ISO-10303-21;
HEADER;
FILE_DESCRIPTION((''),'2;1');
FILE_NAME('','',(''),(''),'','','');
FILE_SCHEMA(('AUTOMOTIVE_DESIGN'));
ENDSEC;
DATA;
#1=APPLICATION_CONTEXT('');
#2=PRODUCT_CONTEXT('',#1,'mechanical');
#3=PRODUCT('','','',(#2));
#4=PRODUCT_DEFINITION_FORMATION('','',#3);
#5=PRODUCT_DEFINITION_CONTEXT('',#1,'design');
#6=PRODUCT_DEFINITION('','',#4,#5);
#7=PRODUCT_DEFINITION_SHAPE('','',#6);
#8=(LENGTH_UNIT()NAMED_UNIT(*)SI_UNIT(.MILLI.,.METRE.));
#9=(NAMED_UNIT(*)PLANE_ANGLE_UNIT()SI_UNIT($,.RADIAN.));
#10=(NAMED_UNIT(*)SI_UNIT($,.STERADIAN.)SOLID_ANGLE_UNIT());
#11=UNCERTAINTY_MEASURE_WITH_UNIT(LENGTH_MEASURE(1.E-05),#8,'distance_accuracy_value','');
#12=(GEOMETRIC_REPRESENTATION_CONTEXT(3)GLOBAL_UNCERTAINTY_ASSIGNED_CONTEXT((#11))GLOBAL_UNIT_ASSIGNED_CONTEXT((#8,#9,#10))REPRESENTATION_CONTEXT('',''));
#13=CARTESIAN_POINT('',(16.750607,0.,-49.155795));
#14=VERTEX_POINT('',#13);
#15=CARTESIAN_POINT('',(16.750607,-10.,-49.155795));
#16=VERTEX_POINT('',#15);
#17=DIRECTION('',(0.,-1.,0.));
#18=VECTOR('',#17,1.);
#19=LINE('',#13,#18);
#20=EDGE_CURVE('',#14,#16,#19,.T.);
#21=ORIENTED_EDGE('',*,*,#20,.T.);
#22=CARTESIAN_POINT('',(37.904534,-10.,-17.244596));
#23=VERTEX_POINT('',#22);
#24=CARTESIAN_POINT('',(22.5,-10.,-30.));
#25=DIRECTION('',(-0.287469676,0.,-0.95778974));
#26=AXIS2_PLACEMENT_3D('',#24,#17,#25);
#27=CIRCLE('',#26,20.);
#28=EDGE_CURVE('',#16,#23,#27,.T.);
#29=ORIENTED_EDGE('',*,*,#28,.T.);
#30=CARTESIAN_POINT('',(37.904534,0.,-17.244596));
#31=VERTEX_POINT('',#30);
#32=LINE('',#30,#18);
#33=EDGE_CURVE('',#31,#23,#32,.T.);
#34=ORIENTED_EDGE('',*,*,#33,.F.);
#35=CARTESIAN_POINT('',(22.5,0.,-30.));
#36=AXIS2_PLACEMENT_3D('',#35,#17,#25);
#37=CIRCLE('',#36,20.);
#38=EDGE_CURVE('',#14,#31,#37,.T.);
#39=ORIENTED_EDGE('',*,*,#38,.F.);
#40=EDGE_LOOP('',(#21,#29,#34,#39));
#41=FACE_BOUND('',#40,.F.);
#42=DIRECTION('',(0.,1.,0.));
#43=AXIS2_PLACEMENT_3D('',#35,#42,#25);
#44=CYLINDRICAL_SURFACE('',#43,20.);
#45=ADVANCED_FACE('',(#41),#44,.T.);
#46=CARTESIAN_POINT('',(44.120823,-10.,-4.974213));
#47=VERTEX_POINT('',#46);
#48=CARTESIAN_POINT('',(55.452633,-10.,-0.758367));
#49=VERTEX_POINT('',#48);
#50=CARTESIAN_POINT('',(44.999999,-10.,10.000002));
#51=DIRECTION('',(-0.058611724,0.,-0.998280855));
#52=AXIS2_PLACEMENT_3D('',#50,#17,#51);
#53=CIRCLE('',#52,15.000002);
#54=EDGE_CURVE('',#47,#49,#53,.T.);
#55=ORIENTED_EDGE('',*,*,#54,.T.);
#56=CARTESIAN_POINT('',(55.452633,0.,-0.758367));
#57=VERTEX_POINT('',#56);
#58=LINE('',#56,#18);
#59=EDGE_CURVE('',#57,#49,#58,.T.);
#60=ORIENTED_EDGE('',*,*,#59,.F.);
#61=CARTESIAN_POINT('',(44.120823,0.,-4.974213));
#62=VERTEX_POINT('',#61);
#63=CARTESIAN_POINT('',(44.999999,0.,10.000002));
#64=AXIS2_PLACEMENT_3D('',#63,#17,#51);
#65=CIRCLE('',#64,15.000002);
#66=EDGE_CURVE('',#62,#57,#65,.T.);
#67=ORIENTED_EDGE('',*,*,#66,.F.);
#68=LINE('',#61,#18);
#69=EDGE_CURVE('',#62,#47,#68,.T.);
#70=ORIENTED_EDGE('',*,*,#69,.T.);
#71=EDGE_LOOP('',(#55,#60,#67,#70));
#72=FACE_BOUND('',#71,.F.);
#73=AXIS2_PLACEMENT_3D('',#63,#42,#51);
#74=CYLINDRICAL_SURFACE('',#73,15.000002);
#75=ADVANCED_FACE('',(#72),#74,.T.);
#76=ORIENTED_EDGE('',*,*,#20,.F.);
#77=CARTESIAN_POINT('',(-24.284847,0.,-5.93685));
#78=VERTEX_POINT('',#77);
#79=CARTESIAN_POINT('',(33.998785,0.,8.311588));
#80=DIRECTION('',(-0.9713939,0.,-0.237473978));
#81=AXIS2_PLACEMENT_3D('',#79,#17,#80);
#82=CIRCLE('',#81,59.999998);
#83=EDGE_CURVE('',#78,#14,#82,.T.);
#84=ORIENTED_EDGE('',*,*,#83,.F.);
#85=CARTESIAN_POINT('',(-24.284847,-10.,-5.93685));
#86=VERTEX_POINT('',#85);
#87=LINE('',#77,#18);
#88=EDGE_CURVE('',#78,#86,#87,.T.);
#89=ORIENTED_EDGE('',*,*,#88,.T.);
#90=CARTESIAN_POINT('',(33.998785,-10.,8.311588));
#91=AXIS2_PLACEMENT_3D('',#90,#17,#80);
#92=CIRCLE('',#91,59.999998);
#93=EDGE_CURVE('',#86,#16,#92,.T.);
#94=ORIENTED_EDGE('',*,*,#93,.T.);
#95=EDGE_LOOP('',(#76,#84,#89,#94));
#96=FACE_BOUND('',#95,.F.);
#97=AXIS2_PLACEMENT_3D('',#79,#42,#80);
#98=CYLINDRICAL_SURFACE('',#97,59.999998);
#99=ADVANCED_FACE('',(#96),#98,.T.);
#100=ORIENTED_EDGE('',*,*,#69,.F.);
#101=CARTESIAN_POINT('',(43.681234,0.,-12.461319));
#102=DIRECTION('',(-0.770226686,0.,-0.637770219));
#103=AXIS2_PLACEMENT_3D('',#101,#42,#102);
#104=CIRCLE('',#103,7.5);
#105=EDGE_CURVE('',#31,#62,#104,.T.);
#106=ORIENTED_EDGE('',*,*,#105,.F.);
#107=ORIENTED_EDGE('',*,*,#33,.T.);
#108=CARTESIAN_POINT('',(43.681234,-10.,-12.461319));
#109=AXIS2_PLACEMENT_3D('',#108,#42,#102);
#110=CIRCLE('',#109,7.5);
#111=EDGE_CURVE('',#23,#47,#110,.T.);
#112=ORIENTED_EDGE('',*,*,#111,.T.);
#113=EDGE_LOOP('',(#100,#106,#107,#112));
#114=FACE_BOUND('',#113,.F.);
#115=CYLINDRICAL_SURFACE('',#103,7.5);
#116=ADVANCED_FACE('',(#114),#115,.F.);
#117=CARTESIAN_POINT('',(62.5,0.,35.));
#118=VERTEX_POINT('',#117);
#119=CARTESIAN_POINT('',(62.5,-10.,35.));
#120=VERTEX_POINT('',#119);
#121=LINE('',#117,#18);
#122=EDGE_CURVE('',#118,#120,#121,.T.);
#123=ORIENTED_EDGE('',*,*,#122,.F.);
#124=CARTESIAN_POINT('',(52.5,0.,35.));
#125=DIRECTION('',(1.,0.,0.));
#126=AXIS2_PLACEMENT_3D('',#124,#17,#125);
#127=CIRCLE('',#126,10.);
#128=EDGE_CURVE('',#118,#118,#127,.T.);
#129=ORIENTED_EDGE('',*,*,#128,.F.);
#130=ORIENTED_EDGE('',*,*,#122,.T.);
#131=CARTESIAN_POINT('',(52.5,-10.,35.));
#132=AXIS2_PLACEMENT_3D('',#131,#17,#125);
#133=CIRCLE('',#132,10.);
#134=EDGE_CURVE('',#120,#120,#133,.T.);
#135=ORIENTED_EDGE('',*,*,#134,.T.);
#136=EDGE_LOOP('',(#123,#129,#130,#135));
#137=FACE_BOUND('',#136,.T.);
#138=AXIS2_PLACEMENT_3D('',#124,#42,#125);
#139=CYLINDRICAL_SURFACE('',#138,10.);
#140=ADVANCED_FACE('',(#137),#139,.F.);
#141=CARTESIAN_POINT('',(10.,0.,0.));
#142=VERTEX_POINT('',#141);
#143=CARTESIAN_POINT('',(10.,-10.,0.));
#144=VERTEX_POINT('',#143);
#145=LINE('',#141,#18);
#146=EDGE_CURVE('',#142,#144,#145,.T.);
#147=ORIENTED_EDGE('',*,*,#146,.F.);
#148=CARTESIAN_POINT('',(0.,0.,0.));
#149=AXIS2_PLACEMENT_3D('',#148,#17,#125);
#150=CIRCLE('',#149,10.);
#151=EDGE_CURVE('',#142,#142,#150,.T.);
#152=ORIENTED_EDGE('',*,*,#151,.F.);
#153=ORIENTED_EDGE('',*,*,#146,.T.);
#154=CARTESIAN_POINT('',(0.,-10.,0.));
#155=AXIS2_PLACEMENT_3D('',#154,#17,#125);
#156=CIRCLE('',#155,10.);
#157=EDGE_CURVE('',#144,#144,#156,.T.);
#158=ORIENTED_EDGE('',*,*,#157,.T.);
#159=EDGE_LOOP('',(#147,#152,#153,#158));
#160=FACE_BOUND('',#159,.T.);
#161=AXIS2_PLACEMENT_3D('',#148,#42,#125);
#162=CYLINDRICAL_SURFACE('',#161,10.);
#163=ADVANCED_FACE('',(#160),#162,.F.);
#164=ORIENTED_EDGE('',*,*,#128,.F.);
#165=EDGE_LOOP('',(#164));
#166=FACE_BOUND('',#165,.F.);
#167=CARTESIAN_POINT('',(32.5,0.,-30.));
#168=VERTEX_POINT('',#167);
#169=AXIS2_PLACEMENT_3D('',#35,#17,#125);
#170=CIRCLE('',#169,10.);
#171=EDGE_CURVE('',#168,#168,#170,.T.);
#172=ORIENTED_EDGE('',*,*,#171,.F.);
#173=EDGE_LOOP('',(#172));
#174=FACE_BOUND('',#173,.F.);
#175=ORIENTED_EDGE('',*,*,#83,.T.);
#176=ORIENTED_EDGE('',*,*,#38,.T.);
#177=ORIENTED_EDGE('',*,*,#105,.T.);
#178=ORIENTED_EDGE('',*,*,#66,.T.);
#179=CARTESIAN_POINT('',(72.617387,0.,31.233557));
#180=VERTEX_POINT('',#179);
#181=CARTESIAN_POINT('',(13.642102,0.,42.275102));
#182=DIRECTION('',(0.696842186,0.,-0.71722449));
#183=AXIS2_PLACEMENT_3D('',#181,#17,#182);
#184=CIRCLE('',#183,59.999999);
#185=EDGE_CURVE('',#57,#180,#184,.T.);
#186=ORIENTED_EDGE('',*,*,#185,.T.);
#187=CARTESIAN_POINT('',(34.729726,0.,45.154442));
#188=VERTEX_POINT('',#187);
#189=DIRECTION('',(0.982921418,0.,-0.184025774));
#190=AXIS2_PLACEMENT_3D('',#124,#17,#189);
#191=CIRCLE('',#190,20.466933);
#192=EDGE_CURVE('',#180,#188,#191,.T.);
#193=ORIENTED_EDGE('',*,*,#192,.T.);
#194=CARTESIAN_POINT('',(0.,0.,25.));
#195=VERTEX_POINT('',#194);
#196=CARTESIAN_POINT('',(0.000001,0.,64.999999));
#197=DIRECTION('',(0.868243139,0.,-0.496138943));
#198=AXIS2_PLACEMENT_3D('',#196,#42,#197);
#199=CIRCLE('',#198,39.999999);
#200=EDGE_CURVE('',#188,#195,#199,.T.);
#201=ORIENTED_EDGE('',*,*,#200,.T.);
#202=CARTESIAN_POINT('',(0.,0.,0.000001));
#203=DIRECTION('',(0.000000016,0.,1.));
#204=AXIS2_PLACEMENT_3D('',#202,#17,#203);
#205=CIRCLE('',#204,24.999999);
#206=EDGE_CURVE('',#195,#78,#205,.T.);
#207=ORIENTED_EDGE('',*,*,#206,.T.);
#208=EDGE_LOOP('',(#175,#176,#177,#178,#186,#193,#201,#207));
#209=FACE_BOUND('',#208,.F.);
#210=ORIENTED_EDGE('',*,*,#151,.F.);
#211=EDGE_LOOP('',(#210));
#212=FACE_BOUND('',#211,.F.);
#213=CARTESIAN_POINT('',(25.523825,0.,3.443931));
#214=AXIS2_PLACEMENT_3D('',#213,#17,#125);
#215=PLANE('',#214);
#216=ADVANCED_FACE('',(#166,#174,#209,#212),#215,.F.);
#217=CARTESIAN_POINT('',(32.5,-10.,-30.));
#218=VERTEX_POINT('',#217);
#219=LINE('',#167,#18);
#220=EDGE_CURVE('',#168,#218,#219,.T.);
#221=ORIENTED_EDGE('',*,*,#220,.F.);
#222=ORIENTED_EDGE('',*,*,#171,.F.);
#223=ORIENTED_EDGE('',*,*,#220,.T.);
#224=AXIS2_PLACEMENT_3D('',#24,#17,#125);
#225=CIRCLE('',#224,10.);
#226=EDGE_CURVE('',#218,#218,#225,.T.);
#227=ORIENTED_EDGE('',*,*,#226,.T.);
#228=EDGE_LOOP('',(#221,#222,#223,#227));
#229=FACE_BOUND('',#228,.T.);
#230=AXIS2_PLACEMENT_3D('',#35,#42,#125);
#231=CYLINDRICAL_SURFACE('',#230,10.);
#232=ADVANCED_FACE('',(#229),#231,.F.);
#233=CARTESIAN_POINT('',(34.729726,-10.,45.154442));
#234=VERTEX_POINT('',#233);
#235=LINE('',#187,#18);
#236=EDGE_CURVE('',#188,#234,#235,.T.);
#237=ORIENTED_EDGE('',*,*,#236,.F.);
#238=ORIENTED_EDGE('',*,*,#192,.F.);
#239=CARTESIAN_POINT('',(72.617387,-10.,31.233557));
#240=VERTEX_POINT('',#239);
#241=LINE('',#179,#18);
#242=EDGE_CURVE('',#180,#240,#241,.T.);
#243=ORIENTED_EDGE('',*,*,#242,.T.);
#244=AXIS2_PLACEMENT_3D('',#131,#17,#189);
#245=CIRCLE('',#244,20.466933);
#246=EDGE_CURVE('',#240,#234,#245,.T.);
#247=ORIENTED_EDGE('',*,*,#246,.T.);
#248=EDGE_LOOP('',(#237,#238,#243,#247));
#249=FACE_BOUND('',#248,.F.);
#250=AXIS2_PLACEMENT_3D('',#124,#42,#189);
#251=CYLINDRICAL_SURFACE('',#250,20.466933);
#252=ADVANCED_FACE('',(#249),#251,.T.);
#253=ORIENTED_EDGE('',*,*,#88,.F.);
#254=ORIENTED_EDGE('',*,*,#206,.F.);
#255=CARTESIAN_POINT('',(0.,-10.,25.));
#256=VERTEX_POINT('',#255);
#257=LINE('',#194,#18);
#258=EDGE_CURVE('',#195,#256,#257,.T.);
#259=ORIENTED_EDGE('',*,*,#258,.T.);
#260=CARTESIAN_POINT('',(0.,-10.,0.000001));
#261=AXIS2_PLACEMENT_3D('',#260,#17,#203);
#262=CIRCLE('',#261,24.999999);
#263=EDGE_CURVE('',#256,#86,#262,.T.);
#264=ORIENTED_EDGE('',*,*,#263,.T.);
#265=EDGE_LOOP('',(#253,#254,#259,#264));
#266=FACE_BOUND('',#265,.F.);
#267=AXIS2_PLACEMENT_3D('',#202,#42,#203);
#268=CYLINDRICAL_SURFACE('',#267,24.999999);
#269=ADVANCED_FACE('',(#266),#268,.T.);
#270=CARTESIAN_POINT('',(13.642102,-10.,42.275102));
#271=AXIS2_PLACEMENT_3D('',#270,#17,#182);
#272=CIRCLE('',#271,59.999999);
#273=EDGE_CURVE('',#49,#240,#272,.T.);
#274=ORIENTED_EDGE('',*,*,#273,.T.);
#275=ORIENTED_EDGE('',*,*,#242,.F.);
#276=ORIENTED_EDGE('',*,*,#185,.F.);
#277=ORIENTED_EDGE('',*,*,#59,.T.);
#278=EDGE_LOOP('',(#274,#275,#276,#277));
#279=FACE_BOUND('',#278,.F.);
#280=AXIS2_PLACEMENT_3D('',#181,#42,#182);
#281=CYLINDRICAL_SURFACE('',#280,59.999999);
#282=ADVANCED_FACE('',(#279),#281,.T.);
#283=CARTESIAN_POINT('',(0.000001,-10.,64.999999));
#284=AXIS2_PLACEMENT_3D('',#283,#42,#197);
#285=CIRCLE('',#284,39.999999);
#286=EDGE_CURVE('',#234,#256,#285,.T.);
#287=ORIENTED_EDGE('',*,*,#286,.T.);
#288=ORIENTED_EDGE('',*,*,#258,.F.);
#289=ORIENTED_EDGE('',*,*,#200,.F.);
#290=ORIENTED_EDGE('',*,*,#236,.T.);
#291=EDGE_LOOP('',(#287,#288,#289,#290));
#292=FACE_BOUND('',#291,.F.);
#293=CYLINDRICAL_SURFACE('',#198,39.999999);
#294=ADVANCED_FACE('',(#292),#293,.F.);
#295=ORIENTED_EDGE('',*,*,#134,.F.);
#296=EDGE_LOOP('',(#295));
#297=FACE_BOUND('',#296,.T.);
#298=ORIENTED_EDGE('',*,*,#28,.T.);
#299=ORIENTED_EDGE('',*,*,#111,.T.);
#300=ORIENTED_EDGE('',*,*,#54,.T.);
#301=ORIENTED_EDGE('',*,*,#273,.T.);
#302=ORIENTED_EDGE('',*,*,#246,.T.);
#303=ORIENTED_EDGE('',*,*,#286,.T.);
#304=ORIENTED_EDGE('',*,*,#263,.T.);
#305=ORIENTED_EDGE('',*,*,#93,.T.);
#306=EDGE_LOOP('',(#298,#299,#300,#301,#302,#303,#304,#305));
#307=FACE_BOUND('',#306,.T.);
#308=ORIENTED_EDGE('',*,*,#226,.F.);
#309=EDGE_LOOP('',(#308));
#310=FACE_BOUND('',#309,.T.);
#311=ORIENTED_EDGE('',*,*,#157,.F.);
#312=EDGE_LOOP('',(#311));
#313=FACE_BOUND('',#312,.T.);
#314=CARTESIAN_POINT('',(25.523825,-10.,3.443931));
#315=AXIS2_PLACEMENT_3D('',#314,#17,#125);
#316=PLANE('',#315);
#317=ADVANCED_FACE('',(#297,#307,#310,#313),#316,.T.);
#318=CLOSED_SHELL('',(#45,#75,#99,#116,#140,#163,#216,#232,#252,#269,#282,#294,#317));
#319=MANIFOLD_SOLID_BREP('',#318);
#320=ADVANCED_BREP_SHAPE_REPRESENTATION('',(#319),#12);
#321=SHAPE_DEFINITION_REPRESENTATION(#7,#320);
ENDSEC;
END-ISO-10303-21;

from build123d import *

# Parameters (mm, degrees)
F0_R     = 10
F1_DEPTH = 10


with BuildPart() as f1:
    # F0 (on Front) → F1 (new body)
    with BuildSketch(Plane.XZ):
        with BuildLine():
            ThreePointArc((0, 25), (-19.664959, 15.436625), (-24.284847, -5.93685))
            ThreePointArc((-24.284847, -5.93685), (-9.512511, -33.001447), (16.750607, -49.155795))
            ThreePointArc((16.750607, -49.155795), (39.169931, -41.050494), (37.904534, -17.244596))
            ThreePointArc((37.904534, -17.244596), (36.990811, -9.071889), (44.120823, -4.974213))
            ThreePointArc((44.120823, -4.974213), (50.230306, -4.058588), (55.452633, -0.758367))
            ThreePointArc((55.452633, -0.758367), (66.51285, 13.90815), (72.617387, 31.233557))
            ThreePointArc((72.617387, 31.233557), (59.558682, 54.211204), (34.729726, 45.154442))
            ThreePointArc((34.729726, 45.154442), (20.077073, 30.403596), (0, 25))
        make_face()
        with Locations((22.5, -30)):
            Circle(F0_R, mode=Mode.SUBTRACT)
        Circle(F0_R, mode=Mode.SUBTRACT)
        with Locations((52.5, 35)):
            Circle(F0_R, mode=Mode.SUBTRACT)
    extrude(amount=F1_DEPTH)


solid = f1.part
